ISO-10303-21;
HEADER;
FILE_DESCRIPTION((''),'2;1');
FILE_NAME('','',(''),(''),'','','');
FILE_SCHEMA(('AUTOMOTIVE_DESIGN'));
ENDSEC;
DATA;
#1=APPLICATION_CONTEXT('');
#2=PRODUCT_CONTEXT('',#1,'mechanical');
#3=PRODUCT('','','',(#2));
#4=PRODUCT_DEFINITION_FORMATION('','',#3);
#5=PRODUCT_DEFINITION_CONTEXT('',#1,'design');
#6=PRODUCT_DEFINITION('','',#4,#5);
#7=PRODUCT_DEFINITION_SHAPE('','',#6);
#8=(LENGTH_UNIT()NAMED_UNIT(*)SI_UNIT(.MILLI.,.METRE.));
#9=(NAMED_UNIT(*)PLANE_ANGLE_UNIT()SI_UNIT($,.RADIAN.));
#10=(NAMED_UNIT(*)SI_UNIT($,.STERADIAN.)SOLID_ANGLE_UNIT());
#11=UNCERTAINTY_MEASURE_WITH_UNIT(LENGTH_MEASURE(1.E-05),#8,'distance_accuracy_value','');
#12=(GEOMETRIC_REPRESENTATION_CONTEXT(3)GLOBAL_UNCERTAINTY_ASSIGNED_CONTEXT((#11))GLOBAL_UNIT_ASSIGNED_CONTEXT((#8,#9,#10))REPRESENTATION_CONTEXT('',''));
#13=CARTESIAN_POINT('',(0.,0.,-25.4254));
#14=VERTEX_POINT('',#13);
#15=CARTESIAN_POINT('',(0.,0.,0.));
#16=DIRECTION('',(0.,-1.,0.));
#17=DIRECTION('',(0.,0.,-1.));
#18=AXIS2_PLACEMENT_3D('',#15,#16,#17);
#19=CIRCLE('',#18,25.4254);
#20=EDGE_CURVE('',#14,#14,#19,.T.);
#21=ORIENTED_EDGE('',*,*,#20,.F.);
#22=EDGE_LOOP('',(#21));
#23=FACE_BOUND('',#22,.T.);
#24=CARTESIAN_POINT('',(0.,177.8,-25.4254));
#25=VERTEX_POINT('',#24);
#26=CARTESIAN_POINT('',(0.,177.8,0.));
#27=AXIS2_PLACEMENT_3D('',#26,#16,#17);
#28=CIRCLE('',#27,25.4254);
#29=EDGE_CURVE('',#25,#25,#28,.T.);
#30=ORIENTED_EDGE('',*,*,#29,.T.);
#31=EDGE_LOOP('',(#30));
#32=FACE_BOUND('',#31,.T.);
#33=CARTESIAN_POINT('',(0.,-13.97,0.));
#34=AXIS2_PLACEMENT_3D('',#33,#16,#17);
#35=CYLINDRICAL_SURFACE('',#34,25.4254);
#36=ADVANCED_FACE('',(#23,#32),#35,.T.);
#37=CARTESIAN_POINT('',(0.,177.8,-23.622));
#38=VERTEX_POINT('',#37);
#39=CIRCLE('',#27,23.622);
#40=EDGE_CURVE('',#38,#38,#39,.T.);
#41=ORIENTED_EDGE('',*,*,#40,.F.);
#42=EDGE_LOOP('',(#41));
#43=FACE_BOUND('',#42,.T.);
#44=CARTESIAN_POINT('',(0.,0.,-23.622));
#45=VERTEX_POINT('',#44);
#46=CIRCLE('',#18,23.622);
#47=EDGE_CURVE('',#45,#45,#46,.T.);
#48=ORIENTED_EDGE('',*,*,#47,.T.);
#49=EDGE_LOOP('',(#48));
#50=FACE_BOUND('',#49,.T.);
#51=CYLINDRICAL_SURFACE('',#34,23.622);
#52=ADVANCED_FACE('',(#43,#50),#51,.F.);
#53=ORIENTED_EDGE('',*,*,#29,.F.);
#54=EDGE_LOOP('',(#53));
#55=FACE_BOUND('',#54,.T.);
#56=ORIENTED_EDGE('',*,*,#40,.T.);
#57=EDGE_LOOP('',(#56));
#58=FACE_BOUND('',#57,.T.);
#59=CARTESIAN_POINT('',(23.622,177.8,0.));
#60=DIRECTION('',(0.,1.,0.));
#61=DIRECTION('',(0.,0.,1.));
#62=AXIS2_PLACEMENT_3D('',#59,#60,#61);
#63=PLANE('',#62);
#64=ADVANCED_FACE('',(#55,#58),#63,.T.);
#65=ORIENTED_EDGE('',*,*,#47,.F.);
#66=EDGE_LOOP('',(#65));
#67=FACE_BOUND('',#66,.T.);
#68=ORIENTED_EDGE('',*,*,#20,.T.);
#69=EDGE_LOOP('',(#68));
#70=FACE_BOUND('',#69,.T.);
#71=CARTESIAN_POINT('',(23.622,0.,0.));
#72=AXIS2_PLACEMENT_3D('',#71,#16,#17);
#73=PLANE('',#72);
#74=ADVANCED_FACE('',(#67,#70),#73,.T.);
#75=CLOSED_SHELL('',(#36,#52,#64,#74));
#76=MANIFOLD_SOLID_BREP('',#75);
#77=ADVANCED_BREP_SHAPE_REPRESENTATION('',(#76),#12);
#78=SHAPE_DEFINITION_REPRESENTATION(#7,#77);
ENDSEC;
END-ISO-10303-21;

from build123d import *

# Parameters (mm, degrees)
SKETCH1_W = 1.8034
SKETCH1_H = 177.8


with BuildPart() as part:
    # Sketch1 → Revolve1 (revolve)
    with BuildSketch(Plane.XY):
        with Locations((24.5237, 88.9)):
            Rectangle(SKETCH1_W, SKETCH1_H)
    revolve(axis=Axis((0, -13.97, 0), (0, 1, 0)))


solid = part.part
